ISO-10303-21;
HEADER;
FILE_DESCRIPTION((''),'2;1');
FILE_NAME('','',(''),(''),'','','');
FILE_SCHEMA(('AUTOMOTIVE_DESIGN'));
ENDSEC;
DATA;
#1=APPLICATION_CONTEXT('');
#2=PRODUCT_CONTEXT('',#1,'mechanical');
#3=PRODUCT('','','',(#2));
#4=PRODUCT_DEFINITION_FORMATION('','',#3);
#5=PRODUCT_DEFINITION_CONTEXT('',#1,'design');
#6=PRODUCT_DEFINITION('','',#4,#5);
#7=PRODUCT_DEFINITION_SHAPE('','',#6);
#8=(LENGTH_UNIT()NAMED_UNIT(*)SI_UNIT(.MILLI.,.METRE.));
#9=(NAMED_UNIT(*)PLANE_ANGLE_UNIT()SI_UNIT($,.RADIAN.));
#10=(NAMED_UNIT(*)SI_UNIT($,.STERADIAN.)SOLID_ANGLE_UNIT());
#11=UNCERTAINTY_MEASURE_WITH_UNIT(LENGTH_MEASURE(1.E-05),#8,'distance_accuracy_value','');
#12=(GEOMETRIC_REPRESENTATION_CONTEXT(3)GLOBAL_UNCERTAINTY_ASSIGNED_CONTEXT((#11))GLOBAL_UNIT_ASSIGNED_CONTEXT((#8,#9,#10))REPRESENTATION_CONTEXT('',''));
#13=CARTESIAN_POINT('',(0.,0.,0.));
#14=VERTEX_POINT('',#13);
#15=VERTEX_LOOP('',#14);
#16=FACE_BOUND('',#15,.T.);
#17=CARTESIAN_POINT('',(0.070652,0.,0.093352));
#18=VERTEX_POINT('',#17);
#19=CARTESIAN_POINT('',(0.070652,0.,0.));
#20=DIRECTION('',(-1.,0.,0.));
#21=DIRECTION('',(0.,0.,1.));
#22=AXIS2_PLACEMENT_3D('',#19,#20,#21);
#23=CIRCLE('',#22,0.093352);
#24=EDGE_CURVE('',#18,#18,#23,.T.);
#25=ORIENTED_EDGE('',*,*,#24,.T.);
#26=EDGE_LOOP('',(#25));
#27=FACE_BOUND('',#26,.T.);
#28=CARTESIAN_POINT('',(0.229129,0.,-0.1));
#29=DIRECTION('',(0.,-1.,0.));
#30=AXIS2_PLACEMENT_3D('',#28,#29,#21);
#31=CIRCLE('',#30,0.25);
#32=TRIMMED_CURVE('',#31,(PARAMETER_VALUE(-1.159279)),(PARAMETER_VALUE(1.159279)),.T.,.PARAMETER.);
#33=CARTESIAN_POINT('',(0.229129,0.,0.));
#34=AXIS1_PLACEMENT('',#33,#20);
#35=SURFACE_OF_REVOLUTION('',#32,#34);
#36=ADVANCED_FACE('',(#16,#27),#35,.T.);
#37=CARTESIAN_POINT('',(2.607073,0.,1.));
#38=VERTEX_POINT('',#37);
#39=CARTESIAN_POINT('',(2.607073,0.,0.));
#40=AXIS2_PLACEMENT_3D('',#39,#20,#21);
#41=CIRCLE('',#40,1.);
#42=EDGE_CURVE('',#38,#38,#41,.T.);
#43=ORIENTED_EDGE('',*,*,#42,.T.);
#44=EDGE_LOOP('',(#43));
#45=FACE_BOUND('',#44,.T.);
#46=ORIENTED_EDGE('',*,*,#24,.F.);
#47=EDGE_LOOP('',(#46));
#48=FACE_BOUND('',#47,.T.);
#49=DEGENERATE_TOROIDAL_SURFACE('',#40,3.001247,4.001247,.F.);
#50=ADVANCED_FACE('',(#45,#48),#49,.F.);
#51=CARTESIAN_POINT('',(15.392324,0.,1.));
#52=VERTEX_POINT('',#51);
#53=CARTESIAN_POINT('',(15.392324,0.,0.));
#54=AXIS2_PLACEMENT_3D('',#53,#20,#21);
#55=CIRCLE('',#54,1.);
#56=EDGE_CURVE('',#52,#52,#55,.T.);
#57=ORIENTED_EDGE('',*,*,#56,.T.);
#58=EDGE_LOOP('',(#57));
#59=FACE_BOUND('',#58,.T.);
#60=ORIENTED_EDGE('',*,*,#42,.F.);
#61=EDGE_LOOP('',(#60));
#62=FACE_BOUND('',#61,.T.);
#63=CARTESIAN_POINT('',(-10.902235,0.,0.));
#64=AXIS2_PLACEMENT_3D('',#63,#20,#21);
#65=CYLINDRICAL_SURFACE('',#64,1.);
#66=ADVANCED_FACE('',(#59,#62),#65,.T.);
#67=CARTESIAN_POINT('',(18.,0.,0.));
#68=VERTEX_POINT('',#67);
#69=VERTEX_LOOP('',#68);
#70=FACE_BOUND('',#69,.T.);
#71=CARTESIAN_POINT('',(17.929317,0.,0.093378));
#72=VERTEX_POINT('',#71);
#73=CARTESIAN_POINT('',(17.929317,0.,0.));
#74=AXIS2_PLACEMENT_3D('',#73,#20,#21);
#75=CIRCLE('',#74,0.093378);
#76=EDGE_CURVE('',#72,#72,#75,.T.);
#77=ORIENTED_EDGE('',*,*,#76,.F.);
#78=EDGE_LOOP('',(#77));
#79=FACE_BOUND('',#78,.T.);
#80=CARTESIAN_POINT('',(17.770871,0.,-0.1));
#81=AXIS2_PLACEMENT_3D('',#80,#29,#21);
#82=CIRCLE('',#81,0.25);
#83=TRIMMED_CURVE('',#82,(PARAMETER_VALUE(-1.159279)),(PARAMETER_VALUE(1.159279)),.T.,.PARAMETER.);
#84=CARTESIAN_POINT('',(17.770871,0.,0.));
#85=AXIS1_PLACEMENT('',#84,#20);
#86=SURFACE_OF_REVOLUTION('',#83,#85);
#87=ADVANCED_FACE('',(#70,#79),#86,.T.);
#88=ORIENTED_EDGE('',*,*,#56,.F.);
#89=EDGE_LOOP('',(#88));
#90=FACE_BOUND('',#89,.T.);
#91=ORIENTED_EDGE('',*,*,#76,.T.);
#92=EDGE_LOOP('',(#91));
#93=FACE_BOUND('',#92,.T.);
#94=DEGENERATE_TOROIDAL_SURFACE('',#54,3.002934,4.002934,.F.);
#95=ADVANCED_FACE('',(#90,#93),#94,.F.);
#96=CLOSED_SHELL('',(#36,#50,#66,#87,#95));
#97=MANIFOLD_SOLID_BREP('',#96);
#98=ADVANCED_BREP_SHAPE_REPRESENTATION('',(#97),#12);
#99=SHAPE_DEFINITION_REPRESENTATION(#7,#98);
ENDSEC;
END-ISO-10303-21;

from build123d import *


with BuildPart() as part:
    # Sketch1 → Base-Revolve (revolve)
    with BuildSketch(Plane.XY, mode=Mode.PRIVATE) as base_revolve_sk:
        with BuildLine():
            Line((2.607073162, 1), (15.392323659, 1))
            ThreePointArc((15.392323659, 1), (16.739385244, 0.766536239), (17.929317067, 0.093377641))
            ThreePointArc((17.929317067, 0.093377641), (17.970203528, 0.050886147), (18, 0))
            Line((18, 0), (0, 0))
            ThreePointArc((0, 0), (0.029784345, 0.050870124), (0.070651848, 0.093352167))
            ThreePointArc((0.070651848, 0.093352167), (1.26027665, 0.766526426), (2.607073162, 1))
        make_face()
    revolve(base_revolve_sk.sketch.rotate(Axis((-10.902235099, 0, 0), (1, 0, 0)), 90), axis=Axis((-10.902235099, 0, 0), (1, 0, 0)))


solid = part.part
